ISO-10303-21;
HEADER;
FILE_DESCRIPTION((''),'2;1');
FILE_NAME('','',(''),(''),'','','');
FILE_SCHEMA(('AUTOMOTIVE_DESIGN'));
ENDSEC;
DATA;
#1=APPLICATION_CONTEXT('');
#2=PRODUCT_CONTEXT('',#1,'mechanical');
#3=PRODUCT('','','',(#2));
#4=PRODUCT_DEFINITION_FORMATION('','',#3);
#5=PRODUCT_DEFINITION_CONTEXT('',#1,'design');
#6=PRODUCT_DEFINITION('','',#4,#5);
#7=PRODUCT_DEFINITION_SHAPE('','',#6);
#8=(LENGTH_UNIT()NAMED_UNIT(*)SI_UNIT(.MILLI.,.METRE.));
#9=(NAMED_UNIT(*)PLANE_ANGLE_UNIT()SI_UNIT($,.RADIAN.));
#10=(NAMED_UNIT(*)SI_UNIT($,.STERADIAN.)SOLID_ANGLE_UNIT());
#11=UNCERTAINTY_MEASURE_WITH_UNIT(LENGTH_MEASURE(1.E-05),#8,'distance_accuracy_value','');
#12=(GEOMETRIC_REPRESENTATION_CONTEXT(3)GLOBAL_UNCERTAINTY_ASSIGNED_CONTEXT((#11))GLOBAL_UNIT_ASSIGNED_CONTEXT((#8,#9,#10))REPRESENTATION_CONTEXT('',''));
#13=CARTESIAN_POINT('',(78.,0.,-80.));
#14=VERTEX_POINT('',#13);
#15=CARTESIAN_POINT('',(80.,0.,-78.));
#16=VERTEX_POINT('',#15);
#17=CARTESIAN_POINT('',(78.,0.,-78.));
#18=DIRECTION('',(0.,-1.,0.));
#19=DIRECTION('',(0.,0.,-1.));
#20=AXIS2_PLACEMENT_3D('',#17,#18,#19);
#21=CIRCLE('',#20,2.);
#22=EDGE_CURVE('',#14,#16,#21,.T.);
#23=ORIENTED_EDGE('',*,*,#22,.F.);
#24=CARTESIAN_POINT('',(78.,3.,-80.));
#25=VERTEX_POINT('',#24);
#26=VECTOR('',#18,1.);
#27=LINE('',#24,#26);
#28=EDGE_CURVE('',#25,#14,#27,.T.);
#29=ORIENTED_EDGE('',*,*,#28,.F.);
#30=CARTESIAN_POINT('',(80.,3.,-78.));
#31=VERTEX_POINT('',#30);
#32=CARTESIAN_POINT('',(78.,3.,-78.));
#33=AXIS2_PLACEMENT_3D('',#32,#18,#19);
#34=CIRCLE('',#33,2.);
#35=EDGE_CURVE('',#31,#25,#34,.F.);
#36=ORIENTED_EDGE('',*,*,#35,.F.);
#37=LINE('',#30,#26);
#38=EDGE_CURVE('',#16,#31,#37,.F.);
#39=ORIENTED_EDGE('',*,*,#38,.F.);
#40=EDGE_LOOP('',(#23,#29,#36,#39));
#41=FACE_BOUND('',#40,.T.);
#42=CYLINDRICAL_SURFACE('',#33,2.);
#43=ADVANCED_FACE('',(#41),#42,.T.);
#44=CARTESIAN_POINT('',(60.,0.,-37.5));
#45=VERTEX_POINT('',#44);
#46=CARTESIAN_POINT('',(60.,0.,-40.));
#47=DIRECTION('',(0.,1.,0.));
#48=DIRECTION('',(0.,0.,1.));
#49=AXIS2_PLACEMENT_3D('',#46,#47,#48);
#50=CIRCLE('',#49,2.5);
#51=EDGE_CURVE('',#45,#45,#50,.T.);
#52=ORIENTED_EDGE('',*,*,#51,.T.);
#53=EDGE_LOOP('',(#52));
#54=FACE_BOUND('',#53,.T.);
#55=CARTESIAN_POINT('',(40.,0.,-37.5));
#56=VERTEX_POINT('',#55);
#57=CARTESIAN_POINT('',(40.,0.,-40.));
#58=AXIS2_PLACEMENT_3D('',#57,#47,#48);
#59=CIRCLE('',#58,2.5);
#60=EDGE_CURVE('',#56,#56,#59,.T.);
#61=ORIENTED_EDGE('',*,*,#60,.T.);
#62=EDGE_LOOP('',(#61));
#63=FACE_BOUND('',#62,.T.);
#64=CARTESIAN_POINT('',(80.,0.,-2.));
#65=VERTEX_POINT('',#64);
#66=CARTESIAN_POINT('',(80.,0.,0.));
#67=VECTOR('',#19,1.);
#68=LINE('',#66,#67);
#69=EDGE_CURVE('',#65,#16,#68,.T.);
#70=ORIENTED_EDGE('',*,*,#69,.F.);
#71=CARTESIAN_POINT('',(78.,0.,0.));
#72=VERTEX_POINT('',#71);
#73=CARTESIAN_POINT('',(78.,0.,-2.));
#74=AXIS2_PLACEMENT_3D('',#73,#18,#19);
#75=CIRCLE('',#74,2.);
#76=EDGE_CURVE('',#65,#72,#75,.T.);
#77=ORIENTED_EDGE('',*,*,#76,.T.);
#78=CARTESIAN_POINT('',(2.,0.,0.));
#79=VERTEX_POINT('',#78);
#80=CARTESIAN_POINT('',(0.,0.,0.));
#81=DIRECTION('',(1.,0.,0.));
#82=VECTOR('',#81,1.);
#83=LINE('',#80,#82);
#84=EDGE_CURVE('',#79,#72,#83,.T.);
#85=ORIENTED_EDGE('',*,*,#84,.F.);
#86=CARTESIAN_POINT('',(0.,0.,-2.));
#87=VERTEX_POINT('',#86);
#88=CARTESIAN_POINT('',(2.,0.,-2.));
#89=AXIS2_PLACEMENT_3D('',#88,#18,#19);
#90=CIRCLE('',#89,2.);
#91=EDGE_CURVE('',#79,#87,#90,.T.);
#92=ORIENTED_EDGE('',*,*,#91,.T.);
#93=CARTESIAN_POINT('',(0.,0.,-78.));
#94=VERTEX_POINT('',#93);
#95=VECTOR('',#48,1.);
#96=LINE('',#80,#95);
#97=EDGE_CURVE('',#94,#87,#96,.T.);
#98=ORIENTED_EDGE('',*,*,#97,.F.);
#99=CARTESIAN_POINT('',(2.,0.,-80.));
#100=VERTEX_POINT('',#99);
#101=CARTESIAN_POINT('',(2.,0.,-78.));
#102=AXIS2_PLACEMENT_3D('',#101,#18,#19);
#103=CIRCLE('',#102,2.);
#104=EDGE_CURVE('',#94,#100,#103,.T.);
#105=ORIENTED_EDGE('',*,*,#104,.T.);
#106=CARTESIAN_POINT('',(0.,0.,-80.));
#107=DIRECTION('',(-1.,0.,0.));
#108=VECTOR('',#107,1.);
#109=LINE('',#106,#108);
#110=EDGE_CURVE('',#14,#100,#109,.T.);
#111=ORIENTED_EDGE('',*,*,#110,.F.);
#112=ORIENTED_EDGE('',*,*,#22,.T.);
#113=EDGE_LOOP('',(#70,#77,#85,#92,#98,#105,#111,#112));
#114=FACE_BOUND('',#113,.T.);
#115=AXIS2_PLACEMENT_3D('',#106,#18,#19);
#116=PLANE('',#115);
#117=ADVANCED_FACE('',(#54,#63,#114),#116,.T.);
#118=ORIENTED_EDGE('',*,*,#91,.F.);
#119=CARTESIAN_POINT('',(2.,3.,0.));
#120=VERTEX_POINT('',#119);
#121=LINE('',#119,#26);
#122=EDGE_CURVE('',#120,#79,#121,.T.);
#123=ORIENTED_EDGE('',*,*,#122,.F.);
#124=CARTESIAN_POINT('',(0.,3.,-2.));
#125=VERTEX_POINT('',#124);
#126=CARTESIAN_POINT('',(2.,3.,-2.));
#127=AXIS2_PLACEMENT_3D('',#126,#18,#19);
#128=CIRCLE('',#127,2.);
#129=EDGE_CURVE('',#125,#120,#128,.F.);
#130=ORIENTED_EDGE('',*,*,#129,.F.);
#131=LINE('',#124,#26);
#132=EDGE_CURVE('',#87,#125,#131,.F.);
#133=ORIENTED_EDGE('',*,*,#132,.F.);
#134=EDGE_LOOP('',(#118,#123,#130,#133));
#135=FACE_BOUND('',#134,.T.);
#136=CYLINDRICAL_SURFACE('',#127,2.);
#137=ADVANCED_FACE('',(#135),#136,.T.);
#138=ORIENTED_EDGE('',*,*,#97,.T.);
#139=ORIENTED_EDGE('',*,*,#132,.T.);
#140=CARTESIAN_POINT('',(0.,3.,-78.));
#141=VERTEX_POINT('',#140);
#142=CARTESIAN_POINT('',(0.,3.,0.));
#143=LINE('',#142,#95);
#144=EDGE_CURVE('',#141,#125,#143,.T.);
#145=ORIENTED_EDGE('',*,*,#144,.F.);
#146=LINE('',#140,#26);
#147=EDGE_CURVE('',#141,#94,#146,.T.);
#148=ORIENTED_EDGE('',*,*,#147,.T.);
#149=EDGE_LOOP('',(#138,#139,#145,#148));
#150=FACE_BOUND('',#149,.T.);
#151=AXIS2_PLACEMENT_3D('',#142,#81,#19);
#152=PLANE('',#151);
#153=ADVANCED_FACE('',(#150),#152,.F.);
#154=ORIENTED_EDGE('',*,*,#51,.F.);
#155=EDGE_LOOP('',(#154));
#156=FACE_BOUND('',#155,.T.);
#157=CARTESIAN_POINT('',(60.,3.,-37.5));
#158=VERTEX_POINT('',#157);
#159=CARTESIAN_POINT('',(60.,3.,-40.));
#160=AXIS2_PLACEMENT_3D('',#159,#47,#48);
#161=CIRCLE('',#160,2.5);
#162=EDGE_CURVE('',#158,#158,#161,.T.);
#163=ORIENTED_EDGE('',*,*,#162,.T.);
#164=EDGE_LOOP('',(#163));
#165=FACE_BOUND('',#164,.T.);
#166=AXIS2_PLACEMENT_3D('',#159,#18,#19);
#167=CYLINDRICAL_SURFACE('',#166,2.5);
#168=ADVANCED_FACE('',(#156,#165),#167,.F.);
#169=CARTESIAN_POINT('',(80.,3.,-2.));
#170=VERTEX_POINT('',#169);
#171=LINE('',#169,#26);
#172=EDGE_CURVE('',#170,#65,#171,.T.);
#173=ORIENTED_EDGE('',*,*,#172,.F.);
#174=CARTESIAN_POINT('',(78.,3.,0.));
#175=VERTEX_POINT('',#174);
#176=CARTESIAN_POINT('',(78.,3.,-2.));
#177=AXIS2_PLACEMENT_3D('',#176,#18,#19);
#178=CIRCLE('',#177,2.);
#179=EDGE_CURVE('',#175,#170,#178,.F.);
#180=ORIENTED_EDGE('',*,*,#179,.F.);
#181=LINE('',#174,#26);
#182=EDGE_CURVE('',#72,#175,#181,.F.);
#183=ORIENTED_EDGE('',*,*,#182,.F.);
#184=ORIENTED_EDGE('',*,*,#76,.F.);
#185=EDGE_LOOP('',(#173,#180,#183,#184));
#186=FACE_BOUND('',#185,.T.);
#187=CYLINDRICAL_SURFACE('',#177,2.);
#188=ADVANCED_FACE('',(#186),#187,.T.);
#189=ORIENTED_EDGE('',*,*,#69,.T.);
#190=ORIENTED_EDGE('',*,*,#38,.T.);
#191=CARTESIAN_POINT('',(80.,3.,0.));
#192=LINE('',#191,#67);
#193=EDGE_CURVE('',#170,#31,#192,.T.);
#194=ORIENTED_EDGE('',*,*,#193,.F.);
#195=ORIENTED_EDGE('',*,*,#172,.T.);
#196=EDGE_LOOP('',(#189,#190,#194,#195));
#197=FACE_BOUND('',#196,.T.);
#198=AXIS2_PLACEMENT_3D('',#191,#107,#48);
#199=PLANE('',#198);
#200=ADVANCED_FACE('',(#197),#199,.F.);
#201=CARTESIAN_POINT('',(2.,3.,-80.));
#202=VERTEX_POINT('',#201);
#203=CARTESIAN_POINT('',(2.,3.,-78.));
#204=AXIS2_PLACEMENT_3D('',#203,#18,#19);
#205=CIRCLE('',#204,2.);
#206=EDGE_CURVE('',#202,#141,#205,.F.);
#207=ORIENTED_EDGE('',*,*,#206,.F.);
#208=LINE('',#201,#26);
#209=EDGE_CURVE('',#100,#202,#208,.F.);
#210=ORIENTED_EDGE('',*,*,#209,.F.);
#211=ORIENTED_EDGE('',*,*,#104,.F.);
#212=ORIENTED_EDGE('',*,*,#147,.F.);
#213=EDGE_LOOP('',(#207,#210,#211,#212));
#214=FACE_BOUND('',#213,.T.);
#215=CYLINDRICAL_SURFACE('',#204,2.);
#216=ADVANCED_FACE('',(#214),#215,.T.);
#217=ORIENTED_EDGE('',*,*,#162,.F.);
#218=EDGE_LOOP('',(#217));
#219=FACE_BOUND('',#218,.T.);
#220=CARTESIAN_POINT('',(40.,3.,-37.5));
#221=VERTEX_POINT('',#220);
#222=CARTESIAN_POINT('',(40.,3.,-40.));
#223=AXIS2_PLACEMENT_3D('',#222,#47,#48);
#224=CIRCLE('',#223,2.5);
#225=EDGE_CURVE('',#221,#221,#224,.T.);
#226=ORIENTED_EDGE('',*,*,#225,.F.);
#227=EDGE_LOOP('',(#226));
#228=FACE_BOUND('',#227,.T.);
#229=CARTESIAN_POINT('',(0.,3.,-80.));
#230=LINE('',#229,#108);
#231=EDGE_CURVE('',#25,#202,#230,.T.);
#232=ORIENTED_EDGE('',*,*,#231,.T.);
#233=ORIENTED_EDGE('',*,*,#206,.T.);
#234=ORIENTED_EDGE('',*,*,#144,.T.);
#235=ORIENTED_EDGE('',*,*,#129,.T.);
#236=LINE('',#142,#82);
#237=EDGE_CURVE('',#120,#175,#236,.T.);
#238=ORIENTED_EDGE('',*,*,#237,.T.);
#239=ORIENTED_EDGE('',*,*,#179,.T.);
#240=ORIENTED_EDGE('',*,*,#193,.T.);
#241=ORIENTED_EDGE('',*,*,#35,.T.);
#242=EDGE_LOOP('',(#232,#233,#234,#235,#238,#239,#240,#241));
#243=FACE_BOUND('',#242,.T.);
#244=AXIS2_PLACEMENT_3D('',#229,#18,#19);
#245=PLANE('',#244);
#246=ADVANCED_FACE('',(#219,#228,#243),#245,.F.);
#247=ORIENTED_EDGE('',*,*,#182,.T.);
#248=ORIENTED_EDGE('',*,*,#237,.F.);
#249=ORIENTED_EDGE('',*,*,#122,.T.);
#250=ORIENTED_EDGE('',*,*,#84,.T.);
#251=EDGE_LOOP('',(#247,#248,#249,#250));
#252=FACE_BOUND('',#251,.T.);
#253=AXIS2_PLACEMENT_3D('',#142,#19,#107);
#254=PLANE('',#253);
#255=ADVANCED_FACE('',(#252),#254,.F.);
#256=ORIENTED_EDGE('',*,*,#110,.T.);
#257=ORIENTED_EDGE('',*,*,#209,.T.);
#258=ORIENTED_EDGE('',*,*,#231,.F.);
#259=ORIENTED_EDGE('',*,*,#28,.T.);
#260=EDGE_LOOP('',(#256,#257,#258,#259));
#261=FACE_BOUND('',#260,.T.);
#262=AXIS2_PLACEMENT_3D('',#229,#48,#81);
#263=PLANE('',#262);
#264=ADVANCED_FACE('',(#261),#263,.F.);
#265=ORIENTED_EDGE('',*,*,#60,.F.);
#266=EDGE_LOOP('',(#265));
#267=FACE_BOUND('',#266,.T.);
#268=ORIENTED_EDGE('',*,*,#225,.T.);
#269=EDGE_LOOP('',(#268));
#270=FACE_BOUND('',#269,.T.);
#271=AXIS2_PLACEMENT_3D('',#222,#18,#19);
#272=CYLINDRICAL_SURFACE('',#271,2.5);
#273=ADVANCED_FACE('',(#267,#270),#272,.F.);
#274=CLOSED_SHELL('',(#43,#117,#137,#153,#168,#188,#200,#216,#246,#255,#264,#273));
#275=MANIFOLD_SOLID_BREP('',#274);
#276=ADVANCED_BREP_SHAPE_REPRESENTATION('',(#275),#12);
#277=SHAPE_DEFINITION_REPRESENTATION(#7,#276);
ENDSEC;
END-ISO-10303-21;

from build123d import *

# Parameters (mm, degrees)
ESQUISSE1_W      = 80
ESQUISSE1_H      = 80
ESQUISSE1_R      = 2.5
EXTRUSION1_DEPTH = 3
CONG_1_R         = 2


with BuildPart() as part:
    # Esquisse1 → Extrusion1 (new body)
    with BuildSketch(Plane(origin=(0, 0, 0), x_dir=(1, 0, 0), z_dir=(0, 1, 0))):
        with Locations((40, 40)):
            Rectangle(ESQUISSE1_W, ESQUISSE1_H)
        with Locations((40, 40)):
            Circle(ESQUISSE1_R, mode=Mode.SUBTRACT)
        with Locations((60, 40)):
            Circle(ESQUISSE1_R, mode=Mode.SUBTRACT)
    extrude(amount=EXTRUSION1_DEPTH)

    # Congé1
    cong_1_edges = [part.edges().sort_by_distance(p)[0] for p in [
        (0, 1.5, -80),
        (80, 1.5, -80),
        (80, 1.5, 0),
        (0, 1.5, 0),
    ]]
    fillet(cong_1_edges, radius=CONG_1_R)


solid = part.part
